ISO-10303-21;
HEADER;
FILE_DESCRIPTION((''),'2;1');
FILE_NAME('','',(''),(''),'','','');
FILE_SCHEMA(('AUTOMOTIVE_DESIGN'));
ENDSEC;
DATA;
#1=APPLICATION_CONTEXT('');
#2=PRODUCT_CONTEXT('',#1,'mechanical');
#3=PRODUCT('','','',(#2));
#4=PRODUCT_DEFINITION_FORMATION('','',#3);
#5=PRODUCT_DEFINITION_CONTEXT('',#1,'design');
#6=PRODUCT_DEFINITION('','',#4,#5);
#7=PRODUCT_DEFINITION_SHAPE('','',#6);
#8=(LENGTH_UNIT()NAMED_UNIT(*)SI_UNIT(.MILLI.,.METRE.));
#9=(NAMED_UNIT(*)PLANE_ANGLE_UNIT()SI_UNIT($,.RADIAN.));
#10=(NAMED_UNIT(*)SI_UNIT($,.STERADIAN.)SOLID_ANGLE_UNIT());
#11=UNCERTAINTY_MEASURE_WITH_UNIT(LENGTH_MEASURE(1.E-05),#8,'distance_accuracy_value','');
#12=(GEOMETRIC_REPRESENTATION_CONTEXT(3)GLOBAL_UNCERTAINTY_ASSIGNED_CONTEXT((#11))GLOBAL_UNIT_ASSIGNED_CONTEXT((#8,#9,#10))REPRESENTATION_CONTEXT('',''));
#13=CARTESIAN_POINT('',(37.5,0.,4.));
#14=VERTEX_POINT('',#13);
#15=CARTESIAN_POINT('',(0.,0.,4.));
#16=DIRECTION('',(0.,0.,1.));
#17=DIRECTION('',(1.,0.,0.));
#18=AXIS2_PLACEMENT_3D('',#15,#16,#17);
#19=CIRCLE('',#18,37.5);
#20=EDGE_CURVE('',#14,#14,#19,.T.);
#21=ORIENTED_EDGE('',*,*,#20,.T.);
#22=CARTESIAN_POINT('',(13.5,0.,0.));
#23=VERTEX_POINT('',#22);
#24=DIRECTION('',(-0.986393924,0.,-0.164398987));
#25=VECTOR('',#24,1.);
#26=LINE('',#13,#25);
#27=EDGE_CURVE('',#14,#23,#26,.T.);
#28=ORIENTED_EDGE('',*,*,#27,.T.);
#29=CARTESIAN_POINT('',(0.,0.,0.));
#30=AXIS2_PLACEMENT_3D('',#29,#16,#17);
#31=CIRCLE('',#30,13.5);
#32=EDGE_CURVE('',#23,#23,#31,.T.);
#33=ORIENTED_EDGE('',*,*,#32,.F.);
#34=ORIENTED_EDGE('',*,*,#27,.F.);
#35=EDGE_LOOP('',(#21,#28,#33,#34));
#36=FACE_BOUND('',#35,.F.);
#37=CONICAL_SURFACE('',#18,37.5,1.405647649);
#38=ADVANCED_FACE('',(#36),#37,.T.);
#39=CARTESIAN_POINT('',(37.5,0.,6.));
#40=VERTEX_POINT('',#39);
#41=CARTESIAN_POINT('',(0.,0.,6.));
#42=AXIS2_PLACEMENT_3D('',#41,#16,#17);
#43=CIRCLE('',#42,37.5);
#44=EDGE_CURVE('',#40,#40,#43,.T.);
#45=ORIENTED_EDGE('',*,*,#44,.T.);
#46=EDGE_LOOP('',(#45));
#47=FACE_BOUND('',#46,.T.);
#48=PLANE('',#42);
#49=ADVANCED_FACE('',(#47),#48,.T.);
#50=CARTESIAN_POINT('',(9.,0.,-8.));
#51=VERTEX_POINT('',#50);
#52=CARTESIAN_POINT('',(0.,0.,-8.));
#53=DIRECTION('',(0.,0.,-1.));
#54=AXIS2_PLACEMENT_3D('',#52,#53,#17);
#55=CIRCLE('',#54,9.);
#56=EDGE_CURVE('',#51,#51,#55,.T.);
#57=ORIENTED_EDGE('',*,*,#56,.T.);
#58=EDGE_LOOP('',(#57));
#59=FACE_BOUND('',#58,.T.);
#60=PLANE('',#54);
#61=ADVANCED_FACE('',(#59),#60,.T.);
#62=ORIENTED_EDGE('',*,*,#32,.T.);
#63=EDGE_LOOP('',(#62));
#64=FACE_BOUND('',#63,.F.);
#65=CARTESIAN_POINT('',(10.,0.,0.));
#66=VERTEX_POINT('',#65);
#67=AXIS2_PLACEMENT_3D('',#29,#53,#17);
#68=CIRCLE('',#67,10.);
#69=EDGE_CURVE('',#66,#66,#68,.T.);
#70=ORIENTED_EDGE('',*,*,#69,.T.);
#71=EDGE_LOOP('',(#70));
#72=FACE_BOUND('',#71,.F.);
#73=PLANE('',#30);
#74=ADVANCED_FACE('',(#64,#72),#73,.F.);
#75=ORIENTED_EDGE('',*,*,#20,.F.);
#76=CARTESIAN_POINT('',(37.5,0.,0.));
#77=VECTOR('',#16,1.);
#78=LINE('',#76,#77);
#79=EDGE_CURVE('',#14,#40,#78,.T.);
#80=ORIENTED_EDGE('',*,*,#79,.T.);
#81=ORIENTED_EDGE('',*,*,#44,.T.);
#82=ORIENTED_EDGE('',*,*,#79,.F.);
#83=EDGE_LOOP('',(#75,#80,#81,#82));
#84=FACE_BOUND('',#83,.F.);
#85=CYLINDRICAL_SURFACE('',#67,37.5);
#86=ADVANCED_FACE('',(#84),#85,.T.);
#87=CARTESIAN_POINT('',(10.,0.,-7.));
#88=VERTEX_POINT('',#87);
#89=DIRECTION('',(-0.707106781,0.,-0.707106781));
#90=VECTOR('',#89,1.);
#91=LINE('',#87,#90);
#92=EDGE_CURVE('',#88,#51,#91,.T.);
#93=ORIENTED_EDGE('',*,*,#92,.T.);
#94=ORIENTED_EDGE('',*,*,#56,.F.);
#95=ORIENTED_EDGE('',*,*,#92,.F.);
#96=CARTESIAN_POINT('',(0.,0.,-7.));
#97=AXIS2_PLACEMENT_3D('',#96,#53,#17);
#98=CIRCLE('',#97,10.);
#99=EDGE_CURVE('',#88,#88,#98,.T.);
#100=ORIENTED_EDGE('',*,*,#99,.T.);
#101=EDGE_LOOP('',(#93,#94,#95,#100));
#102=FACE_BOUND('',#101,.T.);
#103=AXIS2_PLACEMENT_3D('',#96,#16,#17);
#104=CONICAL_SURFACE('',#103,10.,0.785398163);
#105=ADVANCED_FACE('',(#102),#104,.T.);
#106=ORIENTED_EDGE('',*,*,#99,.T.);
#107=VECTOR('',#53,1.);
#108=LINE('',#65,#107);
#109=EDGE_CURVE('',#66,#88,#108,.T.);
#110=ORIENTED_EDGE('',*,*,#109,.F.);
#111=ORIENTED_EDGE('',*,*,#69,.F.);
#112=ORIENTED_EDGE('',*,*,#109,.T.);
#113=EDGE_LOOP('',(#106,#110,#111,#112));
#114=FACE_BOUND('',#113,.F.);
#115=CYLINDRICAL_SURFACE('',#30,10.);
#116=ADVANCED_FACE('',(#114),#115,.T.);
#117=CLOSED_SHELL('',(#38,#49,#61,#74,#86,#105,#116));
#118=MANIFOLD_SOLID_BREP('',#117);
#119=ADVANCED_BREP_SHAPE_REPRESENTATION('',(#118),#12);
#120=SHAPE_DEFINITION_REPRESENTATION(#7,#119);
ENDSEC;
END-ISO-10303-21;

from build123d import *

# Parameters (mm, degrees)
F0_R     = 37.5
F1_DEPTH = 6
F2_SIZE2 = 24
F2_SIZE  = 4
F3_R     = 10
F4_DEPTH = 8
F5_SIZE  = 1


with BuildPart() as f1:
    # F0 (on Top) → F1 (new body)
    with BuildSketch(Plane.XY):
        Circle(F0_R)
    extrude(amount=F1_DEPTH)

    # F2
    f2_edges = [f1.edges().sort_by_distance(p)[0] for p in [
        (-37.5, 0, 0),
    ]]
    chamfer(f2_edges, length=F2_SIZE, length2=F2_SIZE2)

    # F3 (on face) → F4 (join)
    with BuildSketch(Plane(origin=(0, 0, 0), x_dir=(1, 0, 0), z_dir=(0, 0, -1))):
        Circle(F3_R)
    extrude(amount=F4_DEPTH)

    # F5
    f5_edges = [f1.edges().sort_by_distance(p)[0] for p in [
        (-10, 0, -8),
    ]]
    chamfer(f5_edges, length=F5_SIZE)


solid = f1.part
